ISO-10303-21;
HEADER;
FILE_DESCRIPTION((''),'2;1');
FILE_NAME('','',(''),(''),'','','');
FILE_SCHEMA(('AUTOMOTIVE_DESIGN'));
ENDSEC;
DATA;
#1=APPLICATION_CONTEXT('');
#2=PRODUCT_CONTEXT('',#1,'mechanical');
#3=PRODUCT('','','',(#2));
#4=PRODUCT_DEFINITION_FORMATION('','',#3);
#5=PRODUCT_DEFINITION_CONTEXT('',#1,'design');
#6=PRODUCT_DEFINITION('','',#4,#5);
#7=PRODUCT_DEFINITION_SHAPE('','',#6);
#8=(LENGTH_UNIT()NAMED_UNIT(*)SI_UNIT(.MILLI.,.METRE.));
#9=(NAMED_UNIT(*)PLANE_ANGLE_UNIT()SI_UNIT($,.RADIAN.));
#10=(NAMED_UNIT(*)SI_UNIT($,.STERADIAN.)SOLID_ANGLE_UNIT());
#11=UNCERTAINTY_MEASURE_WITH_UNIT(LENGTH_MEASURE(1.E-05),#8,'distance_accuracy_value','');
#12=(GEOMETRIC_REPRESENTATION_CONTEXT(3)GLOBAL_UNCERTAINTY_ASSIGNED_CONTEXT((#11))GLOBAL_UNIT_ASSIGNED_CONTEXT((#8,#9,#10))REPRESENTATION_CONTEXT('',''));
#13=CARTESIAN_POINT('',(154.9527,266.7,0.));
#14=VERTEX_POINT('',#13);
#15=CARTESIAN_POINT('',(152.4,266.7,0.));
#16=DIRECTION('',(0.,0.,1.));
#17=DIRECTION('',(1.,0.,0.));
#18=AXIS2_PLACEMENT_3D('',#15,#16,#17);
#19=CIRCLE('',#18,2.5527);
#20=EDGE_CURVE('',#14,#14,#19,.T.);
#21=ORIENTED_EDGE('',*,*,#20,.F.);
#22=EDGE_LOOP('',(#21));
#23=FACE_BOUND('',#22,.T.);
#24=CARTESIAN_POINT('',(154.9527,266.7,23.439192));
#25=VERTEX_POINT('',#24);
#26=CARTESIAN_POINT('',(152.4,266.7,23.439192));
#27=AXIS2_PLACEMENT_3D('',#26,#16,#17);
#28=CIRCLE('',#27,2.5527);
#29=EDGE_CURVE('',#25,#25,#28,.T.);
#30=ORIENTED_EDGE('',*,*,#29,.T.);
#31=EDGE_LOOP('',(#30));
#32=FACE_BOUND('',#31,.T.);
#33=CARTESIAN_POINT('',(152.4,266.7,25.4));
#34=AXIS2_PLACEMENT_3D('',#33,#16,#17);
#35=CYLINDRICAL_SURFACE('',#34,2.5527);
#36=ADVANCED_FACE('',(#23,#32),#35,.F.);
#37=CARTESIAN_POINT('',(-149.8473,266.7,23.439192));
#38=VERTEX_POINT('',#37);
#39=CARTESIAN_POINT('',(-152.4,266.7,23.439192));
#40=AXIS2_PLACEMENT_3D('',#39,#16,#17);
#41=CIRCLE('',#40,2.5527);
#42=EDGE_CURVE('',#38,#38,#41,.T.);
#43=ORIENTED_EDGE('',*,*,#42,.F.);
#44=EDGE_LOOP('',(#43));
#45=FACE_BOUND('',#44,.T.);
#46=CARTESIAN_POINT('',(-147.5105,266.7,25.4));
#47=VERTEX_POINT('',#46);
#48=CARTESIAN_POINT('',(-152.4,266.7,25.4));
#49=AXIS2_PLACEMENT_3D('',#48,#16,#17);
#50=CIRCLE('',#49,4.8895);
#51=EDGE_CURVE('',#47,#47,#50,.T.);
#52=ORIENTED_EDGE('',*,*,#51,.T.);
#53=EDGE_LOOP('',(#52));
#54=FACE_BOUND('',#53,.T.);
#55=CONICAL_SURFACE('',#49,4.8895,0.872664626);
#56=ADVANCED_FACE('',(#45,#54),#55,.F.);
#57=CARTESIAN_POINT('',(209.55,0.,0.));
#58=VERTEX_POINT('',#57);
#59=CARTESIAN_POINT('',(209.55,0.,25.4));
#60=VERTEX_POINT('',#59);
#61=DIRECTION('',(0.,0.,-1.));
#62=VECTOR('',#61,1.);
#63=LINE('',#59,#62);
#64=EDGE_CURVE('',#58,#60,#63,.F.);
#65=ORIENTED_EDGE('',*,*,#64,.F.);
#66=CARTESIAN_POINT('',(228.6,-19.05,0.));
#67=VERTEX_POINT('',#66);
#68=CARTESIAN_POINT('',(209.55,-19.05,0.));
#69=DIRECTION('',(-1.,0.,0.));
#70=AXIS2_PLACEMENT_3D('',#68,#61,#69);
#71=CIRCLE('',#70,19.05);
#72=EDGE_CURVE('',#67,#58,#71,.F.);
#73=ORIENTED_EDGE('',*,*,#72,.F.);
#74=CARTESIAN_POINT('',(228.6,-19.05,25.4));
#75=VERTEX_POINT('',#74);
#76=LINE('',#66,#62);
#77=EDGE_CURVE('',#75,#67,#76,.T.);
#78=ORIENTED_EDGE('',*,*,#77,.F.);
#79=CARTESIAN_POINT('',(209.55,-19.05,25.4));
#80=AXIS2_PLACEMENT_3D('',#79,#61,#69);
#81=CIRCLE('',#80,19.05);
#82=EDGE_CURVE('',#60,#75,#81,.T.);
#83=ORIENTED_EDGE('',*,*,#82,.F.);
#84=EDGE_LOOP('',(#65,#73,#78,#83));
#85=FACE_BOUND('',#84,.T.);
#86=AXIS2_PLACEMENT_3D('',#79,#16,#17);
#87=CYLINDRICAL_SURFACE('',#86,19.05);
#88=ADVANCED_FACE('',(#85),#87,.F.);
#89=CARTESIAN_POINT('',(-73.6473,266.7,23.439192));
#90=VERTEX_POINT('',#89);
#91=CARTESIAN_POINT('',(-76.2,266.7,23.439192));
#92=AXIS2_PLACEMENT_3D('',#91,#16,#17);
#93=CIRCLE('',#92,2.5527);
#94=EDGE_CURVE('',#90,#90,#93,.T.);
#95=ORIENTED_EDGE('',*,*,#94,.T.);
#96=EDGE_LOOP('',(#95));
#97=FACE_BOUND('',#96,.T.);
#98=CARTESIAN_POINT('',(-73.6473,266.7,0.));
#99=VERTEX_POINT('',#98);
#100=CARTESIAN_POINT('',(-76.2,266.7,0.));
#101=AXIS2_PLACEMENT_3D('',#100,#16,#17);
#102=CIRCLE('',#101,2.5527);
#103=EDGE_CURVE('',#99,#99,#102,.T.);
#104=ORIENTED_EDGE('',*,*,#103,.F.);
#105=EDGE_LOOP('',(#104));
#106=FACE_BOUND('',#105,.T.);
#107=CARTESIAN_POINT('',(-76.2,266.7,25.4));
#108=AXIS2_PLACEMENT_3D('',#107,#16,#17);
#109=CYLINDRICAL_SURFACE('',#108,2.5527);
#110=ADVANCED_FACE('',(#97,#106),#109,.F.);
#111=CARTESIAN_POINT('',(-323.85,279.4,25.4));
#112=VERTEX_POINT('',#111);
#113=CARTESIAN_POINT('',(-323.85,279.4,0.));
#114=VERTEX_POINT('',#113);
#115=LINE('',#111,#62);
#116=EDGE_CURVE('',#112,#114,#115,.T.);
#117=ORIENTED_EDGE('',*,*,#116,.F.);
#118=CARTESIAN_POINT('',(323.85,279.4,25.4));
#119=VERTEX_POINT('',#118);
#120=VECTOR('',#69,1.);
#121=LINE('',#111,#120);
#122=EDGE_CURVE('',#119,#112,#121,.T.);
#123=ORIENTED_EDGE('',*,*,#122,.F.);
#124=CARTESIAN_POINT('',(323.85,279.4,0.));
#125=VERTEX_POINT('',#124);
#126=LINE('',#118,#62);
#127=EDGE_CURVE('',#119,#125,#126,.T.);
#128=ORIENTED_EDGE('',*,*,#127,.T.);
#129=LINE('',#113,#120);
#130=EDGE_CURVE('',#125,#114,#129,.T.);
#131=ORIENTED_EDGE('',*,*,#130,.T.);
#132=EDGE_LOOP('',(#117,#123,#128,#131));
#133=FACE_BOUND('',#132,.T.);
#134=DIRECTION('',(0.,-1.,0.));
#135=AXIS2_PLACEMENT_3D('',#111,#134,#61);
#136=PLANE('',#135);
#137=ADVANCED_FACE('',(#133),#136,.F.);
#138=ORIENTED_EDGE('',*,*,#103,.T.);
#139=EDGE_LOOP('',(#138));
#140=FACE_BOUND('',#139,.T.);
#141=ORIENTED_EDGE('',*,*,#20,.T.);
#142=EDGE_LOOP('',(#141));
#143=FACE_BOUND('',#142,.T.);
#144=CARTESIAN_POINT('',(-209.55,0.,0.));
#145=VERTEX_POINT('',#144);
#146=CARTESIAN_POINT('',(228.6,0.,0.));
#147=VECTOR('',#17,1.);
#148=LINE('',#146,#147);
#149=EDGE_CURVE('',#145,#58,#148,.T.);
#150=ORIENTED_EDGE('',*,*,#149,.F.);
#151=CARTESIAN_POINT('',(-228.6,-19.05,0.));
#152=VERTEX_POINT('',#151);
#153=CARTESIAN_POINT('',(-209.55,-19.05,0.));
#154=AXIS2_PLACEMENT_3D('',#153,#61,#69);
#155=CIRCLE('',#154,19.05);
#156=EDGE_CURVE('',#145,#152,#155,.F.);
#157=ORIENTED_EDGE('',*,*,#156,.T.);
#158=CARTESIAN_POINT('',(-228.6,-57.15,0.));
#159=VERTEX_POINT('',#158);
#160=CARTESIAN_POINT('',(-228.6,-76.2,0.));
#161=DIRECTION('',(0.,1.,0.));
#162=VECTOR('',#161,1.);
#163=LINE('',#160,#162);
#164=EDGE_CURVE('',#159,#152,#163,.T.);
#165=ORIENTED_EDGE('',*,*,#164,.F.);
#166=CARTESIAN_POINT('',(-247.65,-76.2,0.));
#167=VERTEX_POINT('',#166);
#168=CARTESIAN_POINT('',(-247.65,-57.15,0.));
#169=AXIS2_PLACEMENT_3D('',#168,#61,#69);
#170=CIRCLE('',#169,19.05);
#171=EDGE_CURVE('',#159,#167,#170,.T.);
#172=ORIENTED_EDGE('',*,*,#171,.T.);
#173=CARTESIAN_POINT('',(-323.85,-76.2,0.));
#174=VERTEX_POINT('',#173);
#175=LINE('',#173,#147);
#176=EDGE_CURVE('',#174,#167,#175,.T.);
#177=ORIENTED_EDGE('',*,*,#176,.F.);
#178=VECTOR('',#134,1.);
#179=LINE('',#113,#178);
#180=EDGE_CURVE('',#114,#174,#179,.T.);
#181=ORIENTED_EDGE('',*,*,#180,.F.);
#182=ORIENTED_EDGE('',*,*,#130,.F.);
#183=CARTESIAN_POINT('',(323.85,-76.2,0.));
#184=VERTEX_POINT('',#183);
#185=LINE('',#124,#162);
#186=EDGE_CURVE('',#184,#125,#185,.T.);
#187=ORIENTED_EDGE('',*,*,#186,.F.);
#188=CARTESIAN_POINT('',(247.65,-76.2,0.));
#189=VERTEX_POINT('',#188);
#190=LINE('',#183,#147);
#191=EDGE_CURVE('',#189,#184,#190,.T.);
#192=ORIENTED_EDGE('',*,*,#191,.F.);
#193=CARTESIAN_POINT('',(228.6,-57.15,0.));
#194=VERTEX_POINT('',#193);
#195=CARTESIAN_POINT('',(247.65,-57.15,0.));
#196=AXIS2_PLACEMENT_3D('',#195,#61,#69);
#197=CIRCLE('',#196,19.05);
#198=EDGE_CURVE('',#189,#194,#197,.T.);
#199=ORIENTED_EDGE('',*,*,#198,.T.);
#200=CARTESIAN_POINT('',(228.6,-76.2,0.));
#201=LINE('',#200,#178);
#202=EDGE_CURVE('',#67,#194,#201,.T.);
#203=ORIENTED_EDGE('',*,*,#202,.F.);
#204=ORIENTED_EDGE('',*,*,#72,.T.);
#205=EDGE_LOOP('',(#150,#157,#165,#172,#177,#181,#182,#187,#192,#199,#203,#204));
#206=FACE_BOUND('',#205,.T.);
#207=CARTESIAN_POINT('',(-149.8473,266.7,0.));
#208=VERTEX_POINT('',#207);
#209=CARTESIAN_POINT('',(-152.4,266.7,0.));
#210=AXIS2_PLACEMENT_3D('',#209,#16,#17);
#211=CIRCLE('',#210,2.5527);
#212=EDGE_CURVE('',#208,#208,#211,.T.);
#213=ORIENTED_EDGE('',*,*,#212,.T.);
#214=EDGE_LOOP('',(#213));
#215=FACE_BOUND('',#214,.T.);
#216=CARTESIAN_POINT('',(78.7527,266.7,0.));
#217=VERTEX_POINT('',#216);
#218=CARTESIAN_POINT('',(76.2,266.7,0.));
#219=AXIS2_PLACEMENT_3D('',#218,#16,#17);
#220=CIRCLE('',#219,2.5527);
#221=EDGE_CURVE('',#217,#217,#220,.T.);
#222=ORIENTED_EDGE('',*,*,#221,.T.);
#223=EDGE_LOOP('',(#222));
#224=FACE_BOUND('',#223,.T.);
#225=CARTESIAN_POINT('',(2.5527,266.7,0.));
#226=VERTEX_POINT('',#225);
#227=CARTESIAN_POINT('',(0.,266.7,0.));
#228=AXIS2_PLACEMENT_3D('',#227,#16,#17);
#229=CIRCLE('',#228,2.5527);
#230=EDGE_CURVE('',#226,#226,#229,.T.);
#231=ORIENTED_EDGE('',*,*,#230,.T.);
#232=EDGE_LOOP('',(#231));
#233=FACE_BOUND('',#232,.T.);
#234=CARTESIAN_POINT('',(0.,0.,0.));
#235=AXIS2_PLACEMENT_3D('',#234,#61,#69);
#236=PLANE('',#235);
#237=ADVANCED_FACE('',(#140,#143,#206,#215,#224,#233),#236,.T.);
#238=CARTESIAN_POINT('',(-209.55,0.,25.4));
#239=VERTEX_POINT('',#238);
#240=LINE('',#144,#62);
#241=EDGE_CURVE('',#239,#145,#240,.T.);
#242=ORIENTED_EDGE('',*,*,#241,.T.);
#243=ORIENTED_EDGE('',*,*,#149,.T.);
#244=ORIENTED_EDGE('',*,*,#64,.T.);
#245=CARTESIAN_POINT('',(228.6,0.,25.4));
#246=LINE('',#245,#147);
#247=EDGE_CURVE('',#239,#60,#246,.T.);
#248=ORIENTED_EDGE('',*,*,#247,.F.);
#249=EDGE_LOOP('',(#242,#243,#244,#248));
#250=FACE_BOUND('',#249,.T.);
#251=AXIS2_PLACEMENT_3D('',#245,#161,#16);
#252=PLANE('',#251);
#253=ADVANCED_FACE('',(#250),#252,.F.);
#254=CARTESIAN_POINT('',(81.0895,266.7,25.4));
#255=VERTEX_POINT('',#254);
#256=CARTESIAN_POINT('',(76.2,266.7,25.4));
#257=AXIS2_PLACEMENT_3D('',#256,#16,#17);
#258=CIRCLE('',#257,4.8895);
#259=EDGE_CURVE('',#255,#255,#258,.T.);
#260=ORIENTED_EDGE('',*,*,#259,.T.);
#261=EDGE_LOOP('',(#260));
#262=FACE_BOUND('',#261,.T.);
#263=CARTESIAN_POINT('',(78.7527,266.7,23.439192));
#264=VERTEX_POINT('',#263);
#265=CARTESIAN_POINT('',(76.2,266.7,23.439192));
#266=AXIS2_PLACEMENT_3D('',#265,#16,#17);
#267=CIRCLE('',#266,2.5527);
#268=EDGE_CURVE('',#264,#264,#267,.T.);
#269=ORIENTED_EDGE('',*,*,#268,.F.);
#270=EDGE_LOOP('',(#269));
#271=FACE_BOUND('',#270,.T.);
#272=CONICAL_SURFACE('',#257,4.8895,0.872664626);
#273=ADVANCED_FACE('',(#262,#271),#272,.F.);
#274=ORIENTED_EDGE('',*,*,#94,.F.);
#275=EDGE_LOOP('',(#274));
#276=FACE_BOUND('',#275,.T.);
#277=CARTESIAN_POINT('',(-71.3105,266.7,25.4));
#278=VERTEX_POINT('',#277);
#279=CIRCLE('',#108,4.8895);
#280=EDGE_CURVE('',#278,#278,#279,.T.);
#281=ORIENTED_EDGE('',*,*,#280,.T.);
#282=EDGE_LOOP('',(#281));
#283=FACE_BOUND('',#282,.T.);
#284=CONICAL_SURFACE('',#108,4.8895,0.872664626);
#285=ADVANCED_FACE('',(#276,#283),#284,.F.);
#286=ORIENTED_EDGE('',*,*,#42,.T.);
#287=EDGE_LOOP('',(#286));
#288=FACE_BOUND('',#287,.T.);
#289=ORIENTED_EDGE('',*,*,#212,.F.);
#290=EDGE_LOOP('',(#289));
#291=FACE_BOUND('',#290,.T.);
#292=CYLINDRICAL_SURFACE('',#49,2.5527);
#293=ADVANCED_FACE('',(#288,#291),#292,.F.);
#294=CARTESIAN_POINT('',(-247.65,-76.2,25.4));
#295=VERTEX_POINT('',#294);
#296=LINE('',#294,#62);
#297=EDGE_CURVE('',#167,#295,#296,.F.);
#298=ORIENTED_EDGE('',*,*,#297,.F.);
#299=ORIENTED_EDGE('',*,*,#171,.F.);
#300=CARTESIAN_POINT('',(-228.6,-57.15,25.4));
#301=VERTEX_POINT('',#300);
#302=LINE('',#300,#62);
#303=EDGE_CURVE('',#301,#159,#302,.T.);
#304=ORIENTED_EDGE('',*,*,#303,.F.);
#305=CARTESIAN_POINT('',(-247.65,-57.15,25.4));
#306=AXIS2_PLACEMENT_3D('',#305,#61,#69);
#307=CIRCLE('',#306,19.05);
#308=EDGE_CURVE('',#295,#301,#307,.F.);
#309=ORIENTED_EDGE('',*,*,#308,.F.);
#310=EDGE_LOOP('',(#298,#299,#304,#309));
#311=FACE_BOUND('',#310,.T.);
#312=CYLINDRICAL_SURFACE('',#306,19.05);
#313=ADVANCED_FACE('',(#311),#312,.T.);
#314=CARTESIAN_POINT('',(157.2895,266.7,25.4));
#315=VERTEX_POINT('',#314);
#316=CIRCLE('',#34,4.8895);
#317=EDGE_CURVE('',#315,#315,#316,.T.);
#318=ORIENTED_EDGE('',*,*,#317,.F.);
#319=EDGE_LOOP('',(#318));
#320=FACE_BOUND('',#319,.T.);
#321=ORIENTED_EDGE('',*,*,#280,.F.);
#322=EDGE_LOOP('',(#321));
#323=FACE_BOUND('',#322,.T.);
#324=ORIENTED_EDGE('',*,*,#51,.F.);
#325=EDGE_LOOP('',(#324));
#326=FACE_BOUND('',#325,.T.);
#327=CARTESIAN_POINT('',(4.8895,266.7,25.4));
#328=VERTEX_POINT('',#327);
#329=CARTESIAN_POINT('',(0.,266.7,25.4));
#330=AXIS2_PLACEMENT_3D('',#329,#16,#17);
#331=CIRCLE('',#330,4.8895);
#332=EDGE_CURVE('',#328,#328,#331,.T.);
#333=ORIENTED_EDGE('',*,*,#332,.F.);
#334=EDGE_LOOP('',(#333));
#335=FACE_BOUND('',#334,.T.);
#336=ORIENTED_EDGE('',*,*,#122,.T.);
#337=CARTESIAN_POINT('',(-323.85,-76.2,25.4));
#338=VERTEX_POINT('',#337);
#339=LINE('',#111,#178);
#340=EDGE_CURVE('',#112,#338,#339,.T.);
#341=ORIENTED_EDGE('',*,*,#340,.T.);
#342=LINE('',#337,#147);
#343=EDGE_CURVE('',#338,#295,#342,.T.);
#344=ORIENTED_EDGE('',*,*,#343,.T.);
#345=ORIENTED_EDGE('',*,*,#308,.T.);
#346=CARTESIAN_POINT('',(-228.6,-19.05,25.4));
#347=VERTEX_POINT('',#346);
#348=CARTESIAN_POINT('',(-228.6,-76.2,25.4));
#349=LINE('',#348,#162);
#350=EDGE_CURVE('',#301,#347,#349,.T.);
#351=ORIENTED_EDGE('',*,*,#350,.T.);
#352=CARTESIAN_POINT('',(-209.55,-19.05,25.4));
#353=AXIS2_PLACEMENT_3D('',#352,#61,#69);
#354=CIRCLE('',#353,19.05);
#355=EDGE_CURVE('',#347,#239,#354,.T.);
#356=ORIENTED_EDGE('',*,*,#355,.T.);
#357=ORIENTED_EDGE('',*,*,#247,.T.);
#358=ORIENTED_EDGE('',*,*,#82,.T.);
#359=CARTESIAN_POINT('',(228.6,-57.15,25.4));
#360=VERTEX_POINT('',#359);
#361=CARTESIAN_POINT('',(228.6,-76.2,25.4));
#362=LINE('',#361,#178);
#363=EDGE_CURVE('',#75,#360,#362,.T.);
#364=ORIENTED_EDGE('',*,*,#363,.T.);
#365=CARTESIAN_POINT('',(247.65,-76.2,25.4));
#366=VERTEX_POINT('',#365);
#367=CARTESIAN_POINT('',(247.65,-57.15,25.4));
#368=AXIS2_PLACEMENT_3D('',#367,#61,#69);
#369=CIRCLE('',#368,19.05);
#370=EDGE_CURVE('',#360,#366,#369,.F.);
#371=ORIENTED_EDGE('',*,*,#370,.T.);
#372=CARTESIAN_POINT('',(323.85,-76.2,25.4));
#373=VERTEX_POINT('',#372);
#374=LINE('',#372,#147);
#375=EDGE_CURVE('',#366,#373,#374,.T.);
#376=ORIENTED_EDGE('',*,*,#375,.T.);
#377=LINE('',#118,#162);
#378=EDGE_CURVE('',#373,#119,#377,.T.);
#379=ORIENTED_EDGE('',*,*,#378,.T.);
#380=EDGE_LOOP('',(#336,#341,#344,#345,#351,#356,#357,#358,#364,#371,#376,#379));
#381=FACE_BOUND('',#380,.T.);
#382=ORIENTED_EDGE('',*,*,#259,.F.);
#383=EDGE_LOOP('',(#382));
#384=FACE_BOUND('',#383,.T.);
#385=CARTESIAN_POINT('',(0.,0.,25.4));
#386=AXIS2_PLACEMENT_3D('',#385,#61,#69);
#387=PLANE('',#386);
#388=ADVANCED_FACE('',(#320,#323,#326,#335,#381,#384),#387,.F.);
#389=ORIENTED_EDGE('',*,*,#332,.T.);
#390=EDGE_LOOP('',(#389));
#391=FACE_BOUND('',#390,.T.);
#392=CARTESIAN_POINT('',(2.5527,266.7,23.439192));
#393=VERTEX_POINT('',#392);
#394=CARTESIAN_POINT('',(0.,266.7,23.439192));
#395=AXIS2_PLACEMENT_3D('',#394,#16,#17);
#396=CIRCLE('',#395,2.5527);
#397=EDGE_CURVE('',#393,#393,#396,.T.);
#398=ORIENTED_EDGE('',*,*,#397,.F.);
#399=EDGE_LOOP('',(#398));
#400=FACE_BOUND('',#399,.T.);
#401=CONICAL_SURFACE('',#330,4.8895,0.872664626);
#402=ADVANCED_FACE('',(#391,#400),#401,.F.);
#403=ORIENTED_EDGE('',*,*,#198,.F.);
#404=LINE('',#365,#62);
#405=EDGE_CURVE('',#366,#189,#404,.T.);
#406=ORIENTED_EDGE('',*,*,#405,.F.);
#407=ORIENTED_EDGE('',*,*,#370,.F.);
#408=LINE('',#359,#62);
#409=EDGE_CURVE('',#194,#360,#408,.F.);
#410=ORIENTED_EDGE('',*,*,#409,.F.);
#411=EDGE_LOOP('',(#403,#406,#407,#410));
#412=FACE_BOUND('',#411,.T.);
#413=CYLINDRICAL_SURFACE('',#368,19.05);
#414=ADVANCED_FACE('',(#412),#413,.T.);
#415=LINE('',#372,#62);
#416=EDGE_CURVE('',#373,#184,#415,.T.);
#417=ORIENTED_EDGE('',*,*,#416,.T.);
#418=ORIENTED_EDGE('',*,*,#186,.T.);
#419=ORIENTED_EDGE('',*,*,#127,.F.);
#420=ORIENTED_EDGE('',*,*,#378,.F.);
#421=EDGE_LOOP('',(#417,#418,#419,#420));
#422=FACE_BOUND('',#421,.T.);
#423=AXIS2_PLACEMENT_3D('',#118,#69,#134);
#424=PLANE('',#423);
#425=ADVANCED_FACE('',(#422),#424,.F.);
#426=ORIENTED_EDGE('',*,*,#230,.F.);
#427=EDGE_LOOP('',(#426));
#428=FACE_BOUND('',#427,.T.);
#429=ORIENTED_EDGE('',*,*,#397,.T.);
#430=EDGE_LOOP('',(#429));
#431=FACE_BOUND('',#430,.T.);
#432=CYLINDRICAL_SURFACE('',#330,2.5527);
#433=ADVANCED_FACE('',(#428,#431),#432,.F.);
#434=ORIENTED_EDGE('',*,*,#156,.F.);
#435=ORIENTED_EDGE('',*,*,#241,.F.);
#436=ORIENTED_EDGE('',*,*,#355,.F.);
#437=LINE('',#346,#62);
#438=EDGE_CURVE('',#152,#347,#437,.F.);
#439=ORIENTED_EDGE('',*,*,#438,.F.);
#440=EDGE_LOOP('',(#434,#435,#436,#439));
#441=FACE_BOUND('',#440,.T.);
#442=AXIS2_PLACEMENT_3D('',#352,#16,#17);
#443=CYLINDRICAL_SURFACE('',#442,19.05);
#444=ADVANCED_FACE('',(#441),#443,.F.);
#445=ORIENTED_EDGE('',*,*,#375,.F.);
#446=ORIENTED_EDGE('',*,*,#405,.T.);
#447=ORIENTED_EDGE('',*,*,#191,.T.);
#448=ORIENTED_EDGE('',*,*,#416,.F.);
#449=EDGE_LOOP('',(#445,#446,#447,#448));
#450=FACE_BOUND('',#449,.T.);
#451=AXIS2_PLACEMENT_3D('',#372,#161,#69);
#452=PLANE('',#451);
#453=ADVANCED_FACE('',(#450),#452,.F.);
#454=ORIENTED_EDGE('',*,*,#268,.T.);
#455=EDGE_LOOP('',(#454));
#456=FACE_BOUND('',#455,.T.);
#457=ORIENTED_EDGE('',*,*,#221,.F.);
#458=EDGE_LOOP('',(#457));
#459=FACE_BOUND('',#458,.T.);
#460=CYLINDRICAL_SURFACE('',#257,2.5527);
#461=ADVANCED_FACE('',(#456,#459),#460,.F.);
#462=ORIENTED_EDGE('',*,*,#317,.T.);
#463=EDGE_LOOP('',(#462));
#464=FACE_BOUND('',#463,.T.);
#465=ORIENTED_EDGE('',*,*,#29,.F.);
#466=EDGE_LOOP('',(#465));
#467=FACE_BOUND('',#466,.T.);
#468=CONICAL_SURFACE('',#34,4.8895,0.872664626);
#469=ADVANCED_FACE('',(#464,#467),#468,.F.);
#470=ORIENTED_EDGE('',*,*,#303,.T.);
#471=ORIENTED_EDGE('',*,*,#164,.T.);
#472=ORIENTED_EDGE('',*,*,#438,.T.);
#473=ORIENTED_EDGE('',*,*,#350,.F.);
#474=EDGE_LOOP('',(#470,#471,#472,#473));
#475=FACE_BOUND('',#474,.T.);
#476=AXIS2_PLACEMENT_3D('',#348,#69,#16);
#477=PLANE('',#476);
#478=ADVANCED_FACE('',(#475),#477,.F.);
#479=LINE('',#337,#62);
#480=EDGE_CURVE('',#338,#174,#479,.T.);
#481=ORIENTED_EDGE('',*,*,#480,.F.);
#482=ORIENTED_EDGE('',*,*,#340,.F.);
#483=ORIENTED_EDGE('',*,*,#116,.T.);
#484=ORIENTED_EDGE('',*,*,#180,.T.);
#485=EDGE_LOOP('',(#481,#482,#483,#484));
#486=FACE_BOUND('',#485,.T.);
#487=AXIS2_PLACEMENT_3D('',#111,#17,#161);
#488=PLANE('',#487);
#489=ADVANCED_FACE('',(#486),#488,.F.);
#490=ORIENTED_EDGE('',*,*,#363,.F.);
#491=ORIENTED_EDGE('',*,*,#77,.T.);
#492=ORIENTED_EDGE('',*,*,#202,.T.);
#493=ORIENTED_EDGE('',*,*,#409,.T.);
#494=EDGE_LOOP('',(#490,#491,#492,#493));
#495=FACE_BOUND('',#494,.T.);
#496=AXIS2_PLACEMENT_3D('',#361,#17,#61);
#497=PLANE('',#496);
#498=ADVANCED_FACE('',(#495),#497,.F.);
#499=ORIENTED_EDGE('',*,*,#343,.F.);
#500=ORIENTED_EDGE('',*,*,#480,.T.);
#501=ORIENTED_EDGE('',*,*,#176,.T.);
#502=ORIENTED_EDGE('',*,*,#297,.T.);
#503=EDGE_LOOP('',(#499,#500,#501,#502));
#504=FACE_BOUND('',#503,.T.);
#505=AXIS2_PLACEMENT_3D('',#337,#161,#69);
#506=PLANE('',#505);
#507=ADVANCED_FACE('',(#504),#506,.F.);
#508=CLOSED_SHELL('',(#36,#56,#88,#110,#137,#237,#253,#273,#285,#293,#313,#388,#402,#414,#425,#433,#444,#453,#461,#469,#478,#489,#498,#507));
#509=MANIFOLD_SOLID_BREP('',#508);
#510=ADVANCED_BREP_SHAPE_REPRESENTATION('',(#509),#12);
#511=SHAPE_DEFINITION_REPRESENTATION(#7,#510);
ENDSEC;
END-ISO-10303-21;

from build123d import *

# Parameters (mm, degrees)
BOSS_EXTRUDE1_DEPTH                                = 25.4
FILLET1_R                                          = 19.05
CSK_FOR_10_FLAT_HEAD_MACHINE_SCREW_100_D           = 5.1054
CSK_FOR_10_FLAT_HEAD_MACHINE_SCREW_100_CSINK_D     = 9.779
CSK_FOR_10_FLAT_HEAD_MACHINE_SCREW_100_CSINK_ANGLE = 100


with BuildPart() as part:
    # Sketch1 → Boss-Extrude1 (new body)
    with BuildSketch(Plane.XY):
        Polygon((-323.85, 279.4), (323.85, 279.4), (323.85, -76.2), (228.6, -76.2), (228.6, 0), (-228.6, 0), (-228.6, -76.2), (-323.85, -76.2), align=None)
    extrude(amount=BOSS_EXTRUDE1_DEPTH)

    # Fillet1
    fillet1_edges = [part.edges().sort_by_distance(p)[0] for p in [
        (228.6, -76.2, 12.7),
        (228.6, 0, 12.7),
        (-228.6, 0, 12.7),
        (-228.6, -76.2, 12.7),
    ]]
    fillet(fillet1_edges, radius=FILLET1_R)

    # CSK for #10 Flat Head Machine Screw (100)1 (through all)
    with Locations(Plane.XY.offset(25.4)):
        with Locations((0, 266.7), (76.2, 266.7), (152.4, 266.7), (-76.2, 266.7), (-152.4, 266.7)):
            CounterSinkHole(CSK_FOR_10_FLAT_HEAD_MACHINE_SCREW_100_D / 2, CSK_FOR_10_FLAT_HEAD_MACHINE_SCREW_100_CSINK_D / 2, counter_sink_angle=CSK_FOR_10_FLAT_HEAD_MACHINE_SCREW_100_CSINK_ANGLE)


solid = part.part
